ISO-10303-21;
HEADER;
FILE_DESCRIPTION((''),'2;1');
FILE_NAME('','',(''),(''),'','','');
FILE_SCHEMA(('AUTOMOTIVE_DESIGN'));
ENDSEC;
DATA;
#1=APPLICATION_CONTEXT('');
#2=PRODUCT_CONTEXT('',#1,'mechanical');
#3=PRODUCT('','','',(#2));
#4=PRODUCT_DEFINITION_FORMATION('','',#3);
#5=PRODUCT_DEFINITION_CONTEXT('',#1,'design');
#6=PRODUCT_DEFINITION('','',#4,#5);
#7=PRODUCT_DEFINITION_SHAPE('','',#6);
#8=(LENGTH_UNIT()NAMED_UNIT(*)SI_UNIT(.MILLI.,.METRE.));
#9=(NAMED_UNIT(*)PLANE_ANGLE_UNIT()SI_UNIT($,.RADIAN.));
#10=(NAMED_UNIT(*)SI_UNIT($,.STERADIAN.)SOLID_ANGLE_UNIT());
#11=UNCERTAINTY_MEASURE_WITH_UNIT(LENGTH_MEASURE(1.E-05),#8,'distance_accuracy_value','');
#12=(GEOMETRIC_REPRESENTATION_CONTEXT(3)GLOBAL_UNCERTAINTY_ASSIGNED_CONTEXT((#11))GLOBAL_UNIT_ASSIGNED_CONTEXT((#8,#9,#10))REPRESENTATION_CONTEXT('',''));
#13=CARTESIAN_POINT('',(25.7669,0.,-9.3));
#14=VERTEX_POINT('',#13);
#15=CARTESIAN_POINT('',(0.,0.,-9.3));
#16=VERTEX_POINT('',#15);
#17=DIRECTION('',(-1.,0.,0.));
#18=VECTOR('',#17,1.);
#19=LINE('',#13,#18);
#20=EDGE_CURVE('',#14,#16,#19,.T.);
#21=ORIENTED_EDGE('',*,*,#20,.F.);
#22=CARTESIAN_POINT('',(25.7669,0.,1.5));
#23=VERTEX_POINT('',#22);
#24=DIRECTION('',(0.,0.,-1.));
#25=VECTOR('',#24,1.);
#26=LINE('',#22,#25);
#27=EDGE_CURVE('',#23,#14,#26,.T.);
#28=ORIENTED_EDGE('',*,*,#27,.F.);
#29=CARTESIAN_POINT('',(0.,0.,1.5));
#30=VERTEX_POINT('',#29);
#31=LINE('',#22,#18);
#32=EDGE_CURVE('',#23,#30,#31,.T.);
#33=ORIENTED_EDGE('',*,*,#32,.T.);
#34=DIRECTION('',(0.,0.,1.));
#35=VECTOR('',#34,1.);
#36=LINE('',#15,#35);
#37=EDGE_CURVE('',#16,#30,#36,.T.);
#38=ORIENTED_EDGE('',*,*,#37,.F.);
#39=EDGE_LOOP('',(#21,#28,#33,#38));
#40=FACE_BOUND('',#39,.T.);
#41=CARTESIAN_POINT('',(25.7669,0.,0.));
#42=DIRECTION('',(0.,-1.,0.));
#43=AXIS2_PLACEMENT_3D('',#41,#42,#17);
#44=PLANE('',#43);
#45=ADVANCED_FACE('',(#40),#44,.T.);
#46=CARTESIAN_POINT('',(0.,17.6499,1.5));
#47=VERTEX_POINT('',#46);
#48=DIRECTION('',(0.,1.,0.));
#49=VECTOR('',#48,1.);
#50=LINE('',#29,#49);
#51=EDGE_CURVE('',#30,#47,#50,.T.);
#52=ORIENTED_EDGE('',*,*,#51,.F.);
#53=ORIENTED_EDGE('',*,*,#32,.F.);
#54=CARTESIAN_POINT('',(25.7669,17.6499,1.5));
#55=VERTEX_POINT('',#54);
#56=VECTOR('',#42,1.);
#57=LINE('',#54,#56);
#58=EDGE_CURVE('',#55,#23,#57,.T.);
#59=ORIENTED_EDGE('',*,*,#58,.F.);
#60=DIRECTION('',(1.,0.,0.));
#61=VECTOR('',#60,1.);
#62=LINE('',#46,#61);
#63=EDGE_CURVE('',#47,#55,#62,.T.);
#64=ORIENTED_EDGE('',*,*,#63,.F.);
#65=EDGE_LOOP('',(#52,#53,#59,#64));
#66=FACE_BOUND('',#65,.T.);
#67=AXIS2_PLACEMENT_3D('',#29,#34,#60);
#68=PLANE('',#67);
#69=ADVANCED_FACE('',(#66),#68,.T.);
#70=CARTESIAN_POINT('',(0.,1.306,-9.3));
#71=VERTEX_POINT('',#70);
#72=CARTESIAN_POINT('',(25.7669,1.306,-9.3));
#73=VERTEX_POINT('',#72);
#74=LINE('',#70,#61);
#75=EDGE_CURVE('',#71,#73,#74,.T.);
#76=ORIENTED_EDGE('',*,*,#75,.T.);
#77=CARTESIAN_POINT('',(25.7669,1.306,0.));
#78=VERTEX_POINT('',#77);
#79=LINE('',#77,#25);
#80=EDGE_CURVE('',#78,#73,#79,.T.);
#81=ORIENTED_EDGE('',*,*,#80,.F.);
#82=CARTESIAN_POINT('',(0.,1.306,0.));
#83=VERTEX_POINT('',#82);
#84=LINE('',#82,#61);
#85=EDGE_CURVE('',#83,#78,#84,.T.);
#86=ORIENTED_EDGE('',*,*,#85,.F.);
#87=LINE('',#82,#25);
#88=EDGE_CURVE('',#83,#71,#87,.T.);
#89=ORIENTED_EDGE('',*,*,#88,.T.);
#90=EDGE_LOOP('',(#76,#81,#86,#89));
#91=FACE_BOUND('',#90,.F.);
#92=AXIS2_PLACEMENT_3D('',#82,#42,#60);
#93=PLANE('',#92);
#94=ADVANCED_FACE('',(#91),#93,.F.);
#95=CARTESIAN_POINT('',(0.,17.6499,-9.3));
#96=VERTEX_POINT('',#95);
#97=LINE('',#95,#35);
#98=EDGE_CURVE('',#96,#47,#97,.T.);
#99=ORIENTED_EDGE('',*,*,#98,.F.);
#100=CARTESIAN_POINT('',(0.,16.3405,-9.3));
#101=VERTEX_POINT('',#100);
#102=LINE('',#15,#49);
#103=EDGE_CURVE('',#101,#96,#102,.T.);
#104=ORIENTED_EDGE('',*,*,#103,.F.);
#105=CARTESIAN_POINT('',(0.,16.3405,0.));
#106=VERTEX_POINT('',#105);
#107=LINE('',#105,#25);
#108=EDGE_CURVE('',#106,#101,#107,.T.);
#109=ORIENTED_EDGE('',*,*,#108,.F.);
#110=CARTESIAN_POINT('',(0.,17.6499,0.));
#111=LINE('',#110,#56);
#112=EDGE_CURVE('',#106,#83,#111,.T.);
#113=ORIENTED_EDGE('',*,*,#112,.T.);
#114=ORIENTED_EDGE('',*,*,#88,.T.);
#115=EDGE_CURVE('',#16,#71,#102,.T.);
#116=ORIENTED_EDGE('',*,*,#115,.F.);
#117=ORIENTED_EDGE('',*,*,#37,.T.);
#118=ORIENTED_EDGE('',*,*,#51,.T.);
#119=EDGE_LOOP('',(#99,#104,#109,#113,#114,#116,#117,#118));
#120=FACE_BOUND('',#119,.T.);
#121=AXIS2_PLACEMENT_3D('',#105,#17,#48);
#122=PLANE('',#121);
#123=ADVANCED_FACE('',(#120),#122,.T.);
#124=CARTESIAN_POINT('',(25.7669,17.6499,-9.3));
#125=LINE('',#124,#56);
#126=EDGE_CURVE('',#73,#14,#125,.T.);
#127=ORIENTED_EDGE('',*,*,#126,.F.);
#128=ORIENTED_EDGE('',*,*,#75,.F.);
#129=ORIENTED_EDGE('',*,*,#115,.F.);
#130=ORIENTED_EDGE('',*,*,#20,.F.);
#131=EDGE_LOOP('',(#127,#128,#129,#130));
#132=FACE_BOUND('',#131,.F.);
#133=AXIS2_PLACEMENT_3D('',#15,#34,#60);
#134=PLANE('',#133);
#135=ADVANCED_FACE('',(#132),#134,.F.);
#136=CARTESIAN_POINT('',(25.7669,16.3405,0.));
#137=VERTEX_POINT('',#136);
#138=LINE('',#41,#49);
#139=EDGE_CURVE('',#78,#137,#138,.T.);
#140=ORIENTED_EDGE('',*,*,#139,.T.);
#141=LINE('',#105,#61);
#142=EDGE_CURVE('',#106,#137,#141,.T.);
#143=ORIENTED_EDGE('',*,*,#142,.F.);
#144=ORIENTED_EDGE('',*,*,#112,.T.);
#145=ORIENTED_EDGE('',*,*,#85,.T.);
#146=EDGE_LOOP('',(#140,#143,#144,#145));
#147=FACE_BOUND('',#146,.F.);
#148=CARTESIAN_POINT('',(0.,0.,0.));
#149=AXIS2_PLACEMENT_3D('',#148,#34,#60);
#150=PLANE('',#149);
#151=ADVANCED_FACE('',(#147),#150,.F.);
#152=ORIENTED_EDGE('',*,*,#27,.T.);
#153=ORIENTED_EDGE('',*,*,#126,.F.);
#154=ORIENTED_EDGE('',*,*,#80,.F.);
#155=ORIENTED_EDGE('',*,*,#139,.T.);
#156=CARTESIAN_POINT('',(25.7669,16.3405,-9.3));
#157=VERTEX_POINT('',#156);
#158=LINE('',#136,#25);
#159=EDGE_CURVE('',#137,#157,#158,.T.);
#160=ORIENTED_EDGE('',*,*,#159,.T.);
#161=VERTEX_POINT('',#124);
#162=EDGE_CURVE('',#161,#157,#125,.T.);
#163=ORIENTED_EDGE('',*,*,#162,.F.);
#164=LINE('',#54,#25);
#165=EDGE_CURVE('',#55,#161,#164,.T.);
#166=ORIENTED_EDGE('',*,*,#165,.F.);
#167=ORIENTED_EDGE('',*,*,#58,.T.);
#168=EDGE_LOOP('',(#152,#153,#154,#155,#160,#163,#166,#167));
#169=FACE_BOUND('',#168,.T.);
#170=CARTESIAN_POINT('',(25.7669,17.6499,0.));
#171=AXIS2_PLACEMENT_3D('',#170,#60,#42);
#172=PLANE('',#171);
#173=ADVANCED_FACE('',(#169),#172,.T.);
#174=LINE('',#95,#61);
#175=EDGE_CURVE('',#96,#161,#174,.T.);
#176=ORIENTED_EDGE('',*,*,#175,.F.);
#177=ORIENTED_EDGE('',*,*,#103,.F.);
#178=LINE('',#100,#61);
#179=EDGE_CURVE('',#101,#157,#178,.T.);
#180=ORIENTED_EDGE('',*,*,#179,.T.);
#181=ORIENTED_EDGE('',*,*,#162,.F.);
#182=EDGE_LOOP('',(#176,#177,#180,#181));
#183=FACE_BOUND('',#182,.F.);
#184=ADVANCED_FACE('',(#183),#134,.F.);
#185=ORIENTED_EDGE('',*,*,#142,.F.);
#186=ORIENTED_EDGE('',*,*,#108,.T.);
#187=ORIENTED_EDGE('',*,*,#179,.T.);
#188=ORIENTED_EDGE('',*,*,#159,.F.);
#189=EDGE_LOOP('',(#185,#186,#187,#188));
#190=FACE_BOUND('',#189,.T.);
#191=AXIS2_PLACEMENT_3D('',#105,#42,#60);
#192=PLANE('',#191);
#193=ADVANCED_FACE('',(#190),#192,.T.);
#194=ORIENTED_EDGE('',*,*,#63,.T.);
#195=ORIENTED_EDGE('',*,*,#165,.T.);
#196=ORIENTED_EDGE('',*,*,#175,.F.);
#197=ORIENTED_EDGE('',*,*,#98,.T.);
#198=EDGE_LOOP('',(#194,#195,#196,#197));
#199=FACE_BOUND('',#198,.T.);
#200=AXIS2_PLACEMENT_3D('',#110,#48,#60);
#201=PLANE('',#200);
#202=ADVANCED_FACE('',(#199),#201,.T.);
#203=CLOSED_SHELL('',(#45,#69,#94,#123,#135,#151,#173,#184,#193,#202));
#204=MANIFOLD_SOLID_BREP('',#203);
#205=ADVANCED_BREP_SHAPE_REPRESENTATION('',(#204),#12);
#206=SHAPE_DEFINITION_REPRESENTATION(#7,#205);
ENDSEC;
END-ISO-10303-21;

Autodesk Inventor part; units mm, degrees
ref_plane "YZ Plane" through (0, 0, 0) normal (1, 0, 0) x (0, 1, 0)
ref_plane "XZ Plane" through (0, 0, 0) normal (0, 1, 0) x (-1, 0, 0)
ref_plane "XY Plane" through (0, 0, 0) normal (0, 0, 1) x (1, 0, 0)
sketch "Sketch1" plane through (0, 0, 0) normal (0, 0, 1) x (1, 0, 0)
  line L0 (0, 17.6499) -> (25.7669, 17.6499)
  line L1 (25.7669, 17.6499) -> (25.7669, 0)
  line L2 (25.7669, 0) -> (0, 0)
  line L3 (0, 0) -> (0, 17.6499)
  line L4 (25.7669, 17.6499) -> (0, 17.6499)
  line L5 (0, 17.6499) -> (0, 16.3405)
  line L6 (0, 16.3405) -> (25.7669, 16.3405)
  line L7 (25.7669, 16.3405) -> (25.7669, 17.6499)
  line L8 (25.7669, 0) -> (0, 0)
  line L9 (0, 0) -> (0, 1.306)
  line L10 (0, 1.306) -> (25.7669, 1.306)
  line L11 (25.7669, 1.306) -> (25.7669, 0)
  dimension "d0" = 17.65
  dimension "d1" = 15.0345
  dimension "d2" = 1.3094
  dimension "d3" = 1.306
  dimension "d4" = 25.7669
extrude "Extrusion1" add sketch "Sketch1" along normal blind 1.5
extrude "Extrusion2" add sketch "Sketch1" against normal blind 9.3 contours L0 L1 L6 L3 | L10 L1 L2 L3
properties part number "Cover"
